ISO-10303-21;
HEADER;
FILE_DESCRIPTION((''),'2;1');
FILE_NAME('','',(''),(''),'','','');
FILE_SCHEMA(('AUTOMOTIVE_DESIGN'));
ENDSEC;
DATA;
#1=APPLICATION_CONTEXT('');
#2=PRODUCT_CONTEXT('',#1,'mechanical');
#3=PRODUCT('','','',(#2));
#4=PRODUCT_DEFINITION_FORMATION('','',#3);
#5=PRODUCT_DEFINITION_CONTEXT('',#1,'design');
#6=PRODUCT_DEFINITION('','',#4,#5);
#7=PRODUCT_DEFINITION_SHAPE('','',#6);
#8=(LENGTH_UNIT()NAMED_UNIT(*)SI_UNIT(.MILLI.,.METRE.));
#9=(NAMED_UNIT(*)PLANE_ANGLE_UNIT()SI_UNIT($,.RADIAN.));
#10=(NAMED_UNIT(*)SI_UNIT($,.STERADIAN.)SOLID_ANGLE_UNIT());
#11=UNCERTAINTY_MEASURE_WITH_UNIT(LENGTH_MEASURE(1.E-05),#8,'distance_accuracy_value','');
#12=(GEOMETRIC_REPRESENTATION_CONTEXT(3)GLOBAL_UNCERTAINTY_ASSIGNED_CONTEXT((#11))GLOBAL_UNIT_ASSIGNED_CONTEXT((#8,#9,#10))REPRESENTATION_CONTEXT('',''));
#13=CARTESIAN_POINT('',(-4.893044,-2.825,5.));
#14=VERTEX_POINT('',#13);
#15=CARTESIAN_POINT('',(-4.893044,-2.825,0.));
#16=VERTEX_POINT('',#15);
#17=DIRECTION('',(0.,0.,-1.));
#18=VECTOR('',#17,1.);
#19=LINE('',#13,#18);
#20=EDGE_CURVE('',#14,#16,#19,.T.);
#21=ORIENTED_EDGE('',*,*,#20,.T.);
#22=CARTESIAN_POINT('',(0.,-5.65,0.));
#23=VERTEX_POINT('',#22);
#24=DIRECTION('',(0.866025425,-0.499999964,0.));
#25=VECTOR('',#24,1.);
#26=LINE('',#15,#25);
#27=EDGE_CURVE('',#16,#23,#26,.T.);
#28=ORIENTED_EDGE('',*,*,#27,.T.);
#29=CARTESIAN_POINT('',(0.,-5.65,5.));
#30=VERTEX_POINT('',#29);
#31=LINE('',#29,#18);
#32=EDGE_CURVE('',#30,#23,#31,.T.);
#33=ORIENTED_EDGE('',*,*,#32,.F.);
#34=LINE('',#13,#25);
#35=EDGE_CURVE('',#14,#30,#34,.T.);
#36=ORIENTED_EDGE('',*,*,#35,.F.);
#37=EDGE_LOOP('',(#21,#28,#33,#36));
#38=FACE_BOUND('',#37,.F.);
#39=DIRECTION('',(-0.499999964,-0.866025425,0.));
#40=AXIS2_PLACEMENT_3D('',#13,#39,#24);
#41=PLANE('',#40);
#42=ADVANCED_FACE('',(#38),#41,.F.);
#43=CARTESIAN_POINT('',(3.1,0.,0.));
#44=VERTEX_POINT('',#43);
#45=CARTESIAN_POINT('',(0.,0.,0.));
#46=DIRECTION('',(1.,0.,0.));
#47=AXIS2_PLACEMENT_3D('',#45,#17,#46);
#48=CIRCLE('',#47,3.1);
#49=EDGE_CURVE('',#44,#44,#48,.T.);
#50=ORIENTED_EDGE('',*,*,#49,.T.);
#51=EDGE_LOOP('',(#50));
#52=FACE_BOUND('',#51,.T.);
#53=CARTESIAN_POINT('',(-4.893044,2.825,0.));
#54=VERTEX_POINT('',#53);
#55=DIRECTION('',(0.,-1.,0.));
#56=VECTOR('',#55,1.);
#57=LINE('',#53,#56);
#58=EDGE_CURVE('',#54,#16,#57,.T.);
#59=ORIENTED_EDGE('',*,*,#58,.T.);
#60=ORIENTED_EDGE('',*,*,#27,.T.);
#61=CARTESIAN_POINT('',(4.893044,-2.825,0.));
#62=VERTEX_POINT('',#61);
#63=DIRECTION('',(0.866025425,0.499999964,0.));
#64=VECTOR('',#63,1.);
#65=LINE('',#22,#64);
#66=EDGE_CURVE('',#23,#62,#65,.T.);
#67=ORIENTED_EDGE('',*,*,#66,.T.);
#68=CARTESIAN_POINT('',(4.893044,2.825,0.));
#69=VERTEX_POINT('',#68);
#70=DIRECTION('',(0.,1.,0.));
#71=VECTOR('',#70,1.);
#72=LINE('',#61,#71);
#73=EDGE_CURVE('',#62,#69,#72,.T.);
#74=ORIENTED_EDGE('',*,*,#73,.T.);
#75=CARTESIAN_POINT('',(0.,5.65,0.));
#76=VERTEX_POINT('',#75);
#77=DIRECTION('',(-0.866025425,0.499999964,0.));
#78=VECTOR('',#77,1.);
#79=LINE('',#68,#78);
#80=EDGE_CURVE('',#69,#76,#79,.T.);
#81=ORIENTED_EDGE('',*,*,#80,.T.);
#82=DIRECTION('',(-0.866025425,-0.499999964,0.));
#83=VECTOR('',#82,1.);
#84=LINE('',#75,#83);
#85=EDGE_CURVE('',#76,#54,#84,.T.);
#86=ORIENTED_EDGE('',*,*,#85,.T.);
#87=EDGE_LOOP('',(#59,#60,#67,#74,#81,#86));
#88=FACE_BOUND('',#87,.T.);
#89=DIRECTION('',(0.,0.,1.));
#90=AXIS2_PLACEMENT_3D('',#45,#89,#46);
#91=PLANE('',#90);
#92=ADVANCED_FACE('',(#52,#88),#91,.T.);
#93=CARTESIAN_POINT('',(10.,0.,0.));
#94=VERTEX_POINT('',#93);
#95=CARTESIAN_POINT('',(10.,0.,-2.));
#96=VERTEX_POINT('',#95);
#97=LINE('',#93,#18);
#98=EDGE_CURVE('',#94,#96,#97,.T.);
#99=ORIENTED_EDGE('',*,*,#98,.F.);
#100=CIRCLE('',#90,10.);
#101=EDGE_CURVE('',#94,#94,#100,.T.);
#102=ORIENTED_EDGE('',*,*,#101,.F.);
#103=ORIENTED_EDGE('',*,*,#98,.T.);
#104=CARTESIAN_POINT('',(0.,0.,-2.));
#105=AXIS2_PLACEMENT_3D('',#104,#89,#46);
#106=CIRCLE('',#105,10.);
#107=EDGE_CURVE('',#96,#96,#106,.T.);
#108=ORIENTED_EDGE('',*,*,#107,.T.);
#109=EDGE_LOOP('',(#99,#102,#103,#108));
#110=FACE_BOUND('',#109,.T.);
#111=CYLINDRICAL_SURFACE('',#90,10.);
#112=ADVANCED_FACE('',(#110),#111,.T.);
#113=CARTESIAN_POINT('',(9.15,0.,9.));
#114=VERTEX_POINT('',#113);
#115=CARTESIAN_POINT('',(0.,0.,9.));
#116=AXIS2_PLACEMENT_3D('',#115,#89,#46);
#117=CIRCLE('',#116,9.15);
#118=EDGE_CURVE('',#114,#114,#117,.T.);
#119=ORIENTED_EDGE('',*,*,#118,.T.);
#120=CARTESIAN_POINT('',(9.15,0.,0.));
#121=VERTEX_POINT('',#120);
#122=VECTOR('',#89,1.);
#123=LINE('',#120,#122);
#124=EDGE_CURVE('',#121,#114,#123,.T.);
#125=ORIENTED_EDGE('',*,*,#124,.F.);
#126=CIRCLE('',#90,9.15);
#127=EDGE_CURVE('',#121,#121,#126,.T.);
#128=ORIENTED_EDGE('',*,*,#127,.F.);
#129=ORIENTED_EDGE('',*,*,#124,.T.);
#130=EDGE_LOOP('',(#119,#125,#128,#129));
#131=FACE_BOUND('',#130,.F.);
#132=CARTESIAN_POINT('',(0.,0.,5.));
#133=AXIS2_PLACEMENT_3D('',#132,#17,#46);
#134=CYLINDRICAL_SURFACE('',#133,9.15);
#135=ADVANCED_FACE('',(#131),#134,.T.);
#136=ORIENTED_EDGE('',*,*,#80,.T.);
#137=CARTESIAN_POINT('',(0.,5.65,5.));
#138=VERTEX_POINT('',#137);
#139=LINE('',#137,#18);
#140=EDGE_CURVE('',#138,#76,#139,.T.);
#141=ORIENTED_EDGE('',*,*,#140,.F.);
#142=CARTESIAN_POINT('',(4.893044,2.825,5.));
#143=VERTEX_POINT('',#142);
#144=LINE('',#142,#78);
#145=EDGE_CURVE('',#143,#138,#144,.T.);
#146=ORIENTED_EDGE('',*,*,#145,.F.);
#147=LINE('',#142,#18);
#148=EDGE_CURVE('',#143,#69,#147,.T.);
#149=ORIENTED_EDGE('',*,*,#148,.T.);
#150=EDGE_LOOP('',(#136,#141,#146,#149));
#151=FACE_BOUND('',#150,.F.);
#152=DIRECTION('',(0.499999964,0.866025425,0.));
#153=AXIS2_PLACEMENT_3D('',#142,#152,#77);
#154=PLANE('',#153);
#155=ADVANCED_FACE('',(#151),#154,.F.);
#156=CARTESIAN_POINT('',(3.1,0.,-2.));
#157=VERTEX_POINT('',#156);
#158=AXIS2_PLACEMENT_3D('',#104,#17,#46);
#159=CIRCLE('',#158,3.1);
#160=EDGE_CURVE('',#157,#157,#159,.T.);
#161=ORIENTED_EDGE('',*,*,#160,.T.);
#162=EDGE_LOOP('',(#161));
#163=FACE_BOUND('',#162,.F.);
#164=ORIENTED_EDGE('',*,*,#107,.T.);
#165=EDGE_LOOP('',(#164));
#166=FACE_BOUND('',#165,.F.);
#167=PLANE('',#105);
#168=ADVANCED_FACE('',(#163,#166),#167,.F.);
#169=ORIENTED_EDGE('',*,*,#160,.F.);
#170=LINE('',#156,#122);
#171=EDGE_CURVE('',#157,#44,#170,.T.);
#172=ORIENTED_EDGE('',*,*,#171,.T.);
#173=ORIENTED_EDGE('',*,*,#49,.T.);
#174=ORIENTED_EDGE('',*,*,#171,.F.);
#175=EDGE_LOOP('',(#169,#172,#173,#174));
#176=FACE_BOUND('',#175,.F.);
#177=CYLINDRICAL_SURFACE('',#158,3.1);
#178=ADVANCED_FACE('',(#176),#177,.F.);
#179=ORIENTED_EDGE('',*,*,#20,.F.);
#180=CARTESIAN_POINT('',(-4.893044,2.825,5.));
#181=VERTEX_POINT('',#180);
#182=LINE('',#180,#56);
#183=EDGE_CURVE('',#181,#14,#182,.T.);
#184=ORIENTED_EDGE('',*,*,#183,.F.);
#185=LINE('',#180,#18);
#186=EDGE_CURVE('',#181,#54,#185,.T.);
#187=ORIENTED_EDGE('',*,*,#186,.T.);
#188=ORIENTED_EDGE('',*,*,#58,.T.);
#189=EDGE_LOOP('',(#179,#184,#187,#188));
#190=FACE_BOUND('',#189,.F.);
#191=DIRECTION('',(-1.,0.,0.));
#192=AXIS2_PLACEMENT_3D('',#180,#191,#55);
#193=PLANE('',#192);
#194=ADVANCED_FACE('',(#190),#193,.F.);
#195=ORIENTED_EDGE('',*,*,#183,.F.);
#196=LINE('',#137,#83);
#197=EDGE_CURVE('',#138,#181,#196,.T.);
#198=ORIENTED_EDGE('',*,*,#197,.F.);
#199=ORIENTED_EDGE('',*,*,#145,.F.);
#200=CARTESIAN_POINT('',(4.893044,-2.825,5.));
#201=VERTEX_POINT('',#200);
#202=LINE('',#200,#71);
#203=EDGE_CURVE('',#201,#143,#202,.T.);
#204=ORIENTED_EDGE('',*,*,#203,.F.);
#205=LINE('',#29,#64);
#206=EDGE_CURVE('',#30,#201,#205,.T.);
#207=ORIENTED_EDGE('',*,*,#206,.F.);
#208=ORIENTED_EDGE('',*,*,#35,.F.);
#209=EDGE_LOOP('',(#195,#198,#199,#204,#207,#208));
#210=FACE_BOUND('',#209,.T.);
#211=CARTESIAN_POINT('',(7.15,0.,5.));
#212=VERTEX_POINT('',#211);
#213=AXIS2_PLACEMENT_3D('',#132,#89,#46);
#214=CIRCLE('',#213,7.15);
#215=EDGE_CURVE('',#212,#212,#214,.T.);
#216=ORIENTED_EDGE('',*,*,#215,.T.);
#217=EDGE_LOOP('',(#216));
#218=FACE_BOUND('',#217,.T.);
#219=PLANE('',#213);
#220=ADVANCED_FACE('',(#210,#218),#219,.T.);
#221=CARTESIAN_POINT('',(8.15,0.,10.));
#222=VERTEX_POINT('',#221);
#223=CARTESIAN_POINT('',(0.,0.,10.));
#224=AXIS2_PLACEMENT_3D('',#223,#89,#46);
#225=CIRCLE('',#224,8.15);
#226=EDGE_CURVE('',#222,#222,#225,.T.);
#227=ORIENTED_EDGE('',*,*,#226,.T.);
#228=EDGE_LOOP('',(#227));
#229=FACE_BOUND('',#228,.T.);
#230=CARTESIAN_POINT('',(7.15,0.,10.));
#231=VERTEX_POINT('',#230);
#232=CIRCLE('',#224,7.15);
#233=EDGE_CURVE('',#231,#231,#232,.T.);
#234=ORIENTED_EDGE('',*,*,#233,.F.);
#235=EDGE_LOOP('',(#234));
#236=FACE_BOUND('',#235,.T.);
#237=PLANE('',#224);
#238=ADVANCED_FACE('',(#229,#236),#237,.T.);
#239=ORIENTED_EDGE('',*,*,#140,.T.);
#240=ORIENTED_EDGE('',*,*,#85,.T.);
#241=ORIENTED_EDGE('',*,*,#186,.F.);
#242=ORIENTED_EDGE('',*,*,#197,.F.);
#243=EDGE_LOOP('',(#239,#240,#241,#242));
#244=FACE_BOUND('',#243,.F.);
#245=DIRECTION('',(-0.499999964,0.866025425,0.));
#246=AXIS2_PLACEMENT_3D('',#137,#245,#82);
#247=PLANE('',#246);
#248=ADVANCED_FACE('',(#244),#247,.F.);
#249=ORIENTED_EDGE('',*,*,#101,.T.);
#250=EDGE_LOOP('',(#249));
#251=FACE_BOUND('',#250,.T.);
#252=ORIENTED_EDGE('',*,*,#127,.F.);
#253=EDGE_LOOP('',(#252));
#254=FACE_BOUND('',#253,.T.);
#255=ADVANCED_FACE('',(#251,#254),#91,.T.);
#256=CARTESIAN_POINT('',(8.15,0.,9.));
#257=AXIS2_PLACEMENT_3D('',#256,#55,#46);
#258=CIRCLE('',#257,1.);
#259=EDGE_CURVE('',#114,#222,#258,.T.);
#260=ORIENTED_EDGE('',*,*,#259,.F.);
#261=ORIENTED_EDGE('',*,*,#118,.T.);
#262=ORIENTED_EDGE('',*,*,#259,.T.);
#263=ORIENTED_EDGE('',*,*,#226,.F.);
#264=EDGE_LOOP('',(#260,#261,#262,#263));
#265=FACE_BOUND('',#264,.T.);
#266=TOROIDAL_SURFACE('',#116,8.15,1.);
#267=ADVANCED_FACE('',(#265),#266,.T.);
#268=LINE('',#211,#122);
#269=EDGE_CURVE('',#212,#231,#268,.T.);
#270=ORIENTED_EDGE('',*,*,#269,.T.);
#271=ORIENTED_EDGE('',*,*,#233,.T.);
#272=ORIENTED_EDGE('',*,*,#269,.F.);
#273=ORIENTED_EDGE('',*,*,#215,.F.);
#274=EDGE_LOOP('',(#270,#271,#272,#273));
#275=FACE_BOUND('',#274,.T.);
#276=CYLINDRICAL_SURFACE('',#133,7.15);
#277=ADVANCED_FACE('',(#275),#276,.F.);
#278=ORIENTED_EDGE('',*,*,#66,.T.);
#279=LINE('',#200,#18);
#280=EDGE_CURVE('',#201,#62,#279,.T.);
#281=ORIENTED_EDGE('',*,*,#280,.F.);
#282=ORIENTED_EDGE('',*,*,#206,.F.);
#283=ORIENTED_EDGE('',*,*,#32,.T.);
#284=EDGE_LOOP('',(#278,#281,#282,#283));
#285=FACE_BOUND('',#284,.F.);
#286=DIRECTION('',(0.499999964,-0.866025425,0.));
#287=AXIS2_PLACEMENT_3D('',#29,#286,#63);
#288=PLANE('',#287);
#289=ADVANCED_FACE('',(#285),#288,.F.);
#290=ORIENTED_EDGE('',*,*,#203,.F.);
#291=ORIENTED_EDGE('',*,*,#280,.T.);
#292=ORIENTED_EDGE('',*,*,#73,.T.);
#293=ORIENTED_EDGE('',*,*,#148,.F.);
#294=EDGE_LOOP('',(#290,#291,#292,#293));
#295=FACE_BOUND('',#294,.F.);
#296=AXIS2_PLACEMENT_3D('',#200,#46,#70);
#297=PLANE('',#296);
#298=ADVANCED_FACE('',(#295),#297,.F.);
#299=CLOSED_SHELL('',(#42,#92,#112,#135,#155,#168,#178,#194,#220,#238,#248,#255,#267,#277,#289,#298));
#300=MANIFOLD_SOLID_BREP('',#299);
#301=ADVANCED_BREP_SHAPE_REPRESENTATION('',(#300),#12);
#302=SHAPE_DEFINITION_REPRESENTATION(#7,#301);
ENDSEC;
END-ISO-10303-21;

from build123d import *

# Parameters (mm, degrees)
F0_R     = 10
F1_DEPTH = 2
F2_R     = 9.15
F3_DEPTH = 5
F5_DEPTH = 5
F6_R     = 9.15
F6_R_2   = 7.15
F7_DEPTH = 5
F8_R     = 3.1
F9_DEPTH = 12.001
F10_R    = 1


with BuildPart() as f1:
    # F0 (on Top) → F1 (new body)
    with BuildSketch(Plane.XY):
        Circle(F0_R)
    extrude(amount=-F1_DEPTH)

    # F2 (on face) → F3 (join)
    with BuildSketch(Plane.XY):
        Circle(F2_R)
    extrude(amount=F3_DEPTH)

    # F4 (on face) → F5 (cut)
    with BuildSketch(Plane.XY.offset(5)):
        Polygon((4.893044, 2.825), (0, 5.65), (-4.893044, 2.825), (-4.893044, -2.825), (0, -5.65), (4.893044, -2.825), align=None)
    extrude(amount=-F5_DEPTH, mode=Mode.SUBTRACT)

    # F6 (on face) → F7 (join)
    with BuildSketch(Plane.XY.offset(5)):
        Circle(F6_R)
        Circle(F6_R_2, mode=Mode.SUBTRACT)
    extrude(amount=F7_DEPTH)

    # F8 (on face) → F9 (cut, through all)
    with BuildSketch(Plane(origin=(0, 0, -2), x_dir=(1, 0, 0), z_dir=(0, 0, -1))):
        Circle(F8_R)
    extrude(amount=-F9_DEPTH, mode=Mode.SUBTRACT)

    # F10
    f10_edges = [f1.edges().sort_by_distance(p)[0] for p in [
        (-9.15, 0, 10),
    ]]
    fillet(f10_edges, radius=F10_R)


solid = f1.part
